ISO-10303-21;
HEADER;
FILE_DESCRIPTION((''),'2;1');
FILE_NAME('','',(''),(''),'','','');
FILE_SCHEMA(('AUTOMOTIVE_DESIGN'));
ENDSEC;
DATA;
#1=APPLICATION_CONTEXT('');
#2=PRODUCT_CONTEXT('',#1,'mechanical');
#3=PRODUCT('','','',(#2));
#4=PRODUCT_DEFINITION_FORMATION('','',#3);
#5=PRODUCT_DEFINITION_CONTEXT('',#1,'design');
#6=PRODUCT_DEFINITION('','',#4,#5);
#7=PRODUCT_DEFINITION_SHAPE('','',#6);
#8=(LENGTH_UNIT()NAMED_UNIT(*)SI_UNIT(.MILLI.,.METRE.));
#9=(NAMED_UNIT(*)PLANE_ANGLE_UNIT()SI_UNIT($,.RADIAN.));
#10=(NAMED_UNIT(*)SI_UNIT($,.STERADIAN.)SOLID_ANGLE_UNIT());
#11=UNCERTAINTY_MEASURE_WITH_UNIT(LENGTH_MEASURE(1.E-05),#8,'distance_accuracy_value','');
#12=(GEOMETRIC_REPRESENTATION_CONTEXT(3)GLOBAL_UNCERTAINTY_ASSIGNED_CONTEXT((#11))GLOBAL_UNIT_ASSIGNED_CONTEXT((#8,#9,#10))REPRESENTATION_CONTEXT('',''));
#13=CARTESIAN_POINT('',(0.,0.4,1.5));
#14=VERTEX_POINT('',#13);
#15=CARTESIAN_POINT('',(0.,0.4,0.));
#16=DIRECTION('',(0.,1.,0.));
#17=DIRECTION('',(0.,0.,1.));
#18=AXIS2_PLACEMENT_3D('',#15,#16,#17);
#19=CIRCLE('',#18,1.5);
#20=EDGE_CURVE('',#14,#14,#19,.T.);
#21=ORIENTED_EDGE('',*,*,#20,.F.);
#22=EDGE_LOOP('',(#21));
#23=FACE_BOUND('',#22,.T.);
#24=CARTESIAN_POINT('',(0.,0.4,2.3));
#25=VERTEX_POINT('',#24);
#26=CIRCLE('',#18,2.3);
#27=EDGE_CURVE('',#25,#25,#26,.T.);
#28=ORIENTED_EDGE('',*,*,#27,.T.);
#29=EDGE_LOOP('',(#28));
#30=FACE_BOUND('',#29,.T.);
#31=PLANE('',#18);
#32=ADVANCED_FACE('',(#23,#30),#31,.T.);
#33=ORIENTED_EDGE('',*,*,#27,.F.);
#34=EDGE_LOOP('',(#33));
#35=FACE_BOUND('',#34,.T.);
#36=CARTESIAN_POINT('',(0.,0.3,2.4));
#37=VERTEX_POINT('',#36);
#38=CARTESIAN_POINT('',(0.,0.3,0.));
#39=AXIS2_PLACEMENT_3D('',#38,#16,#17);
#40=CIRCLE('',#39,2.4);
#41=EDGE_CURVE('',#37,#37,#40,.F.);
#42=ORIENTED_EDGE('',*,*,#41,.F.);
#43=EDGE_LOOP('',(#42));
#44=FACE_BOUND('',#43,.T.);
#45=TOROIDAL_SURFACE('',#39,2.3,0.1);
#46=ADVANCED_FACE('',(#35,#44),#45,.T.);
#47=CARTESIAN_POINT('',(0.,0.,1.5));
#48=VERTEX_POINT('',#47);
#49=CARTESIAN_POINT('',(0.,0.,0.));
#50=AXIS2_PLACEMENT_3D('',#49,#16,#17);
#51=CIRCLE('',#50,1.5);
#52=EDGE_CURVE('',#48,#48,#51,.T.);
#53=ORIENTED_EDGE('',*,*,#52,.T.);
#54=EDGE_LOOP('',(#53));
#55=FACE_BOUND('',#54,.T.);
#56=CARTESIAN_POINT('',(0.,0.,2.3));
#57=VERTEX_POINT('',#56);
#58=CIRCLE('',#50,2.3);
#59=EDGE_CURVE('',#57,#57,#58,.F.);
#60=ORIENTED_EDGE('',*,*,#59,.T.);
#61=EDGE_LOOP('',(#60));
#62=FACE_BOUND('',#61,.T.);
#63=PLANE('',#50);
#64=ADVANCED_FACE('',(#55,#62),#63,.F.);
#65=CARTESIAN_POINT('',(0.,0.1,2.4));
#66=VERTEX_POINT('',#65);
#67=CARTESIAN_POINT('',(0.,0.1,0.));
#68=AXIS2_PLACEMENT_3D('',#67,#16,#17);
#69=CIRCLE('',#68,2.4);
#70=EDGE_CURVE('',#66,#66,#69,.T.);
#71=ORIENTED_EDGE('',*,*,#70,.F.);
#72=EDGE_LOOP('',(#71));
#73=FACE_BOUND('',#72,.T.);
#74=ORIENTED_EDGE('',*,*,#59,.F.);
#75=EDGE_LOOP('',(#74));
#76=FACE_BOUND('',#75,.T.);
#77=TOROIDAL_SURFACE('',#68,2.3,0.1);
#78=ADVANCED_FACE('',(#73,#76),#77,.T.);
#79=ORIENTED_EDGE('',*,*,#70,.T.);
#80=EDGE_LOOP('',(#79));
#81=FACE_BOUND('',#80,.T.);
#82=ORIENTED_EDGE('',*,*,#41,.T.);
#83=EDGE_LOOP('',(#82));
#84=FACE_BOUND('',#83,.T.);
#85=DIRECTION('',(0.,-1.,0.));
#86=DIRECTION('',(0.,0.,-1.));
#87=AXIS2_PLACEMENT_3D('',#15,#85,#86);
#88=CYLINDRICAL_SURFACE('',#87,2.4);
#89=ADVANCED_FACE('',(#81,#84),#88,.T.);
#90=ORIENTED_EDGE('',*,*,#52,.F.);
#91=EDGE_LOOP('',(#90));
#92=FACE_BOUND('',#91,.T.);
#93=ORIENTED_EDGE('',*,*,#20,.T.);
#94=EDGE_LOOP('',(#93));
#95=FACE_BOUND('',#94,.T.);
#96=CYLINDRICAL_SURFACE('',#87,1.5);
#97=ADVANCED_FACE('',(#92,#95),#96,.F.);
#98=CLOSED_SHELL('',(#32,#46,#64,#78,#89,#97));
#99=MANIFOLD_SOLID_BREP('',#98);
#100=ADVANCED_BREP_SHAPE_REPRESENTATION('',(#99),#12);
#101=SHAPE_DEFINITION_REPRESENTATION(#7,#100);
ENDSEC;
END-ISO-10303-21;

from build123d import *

# Parameters (mm, degrees)
SKETCH1_R           = 2.4
SKETCH1_R_2         = 1.5
BOSS_EXTRUDE1_DEPTH = 0.4
FILLET1_R           = 0.1


with BuildPart() as part:
    # Sketch1 → Boss-Extrude1 (new body)
    with BuildSketch(Plane(origin=(0, 0, 0), x_dir=(1, 0, 0), z_dir=(0, 1, 0))):
        with Locations(Location((0, 0, 0), (0, 0, 270))):
            Circle(SKETCH1_R)
        with Locations(Location((0, 0, 0), (0, 0, 270))):
            Circle(SKETCH1_R_2, mode=Mode.SUBTRACT)
    extrude(amount=BOSS_EXTRUDE1_DEPTH)

    # Fillet1
    fillet1_edges = [part.edges().sort_by_distance(p)[0] for p in [
        (0, 0, -2.4),
        (0, 0.4, -2.4),
    ]]
    fillet(fillet1_edges, radius=FILLET1_R)


solid = part.part
